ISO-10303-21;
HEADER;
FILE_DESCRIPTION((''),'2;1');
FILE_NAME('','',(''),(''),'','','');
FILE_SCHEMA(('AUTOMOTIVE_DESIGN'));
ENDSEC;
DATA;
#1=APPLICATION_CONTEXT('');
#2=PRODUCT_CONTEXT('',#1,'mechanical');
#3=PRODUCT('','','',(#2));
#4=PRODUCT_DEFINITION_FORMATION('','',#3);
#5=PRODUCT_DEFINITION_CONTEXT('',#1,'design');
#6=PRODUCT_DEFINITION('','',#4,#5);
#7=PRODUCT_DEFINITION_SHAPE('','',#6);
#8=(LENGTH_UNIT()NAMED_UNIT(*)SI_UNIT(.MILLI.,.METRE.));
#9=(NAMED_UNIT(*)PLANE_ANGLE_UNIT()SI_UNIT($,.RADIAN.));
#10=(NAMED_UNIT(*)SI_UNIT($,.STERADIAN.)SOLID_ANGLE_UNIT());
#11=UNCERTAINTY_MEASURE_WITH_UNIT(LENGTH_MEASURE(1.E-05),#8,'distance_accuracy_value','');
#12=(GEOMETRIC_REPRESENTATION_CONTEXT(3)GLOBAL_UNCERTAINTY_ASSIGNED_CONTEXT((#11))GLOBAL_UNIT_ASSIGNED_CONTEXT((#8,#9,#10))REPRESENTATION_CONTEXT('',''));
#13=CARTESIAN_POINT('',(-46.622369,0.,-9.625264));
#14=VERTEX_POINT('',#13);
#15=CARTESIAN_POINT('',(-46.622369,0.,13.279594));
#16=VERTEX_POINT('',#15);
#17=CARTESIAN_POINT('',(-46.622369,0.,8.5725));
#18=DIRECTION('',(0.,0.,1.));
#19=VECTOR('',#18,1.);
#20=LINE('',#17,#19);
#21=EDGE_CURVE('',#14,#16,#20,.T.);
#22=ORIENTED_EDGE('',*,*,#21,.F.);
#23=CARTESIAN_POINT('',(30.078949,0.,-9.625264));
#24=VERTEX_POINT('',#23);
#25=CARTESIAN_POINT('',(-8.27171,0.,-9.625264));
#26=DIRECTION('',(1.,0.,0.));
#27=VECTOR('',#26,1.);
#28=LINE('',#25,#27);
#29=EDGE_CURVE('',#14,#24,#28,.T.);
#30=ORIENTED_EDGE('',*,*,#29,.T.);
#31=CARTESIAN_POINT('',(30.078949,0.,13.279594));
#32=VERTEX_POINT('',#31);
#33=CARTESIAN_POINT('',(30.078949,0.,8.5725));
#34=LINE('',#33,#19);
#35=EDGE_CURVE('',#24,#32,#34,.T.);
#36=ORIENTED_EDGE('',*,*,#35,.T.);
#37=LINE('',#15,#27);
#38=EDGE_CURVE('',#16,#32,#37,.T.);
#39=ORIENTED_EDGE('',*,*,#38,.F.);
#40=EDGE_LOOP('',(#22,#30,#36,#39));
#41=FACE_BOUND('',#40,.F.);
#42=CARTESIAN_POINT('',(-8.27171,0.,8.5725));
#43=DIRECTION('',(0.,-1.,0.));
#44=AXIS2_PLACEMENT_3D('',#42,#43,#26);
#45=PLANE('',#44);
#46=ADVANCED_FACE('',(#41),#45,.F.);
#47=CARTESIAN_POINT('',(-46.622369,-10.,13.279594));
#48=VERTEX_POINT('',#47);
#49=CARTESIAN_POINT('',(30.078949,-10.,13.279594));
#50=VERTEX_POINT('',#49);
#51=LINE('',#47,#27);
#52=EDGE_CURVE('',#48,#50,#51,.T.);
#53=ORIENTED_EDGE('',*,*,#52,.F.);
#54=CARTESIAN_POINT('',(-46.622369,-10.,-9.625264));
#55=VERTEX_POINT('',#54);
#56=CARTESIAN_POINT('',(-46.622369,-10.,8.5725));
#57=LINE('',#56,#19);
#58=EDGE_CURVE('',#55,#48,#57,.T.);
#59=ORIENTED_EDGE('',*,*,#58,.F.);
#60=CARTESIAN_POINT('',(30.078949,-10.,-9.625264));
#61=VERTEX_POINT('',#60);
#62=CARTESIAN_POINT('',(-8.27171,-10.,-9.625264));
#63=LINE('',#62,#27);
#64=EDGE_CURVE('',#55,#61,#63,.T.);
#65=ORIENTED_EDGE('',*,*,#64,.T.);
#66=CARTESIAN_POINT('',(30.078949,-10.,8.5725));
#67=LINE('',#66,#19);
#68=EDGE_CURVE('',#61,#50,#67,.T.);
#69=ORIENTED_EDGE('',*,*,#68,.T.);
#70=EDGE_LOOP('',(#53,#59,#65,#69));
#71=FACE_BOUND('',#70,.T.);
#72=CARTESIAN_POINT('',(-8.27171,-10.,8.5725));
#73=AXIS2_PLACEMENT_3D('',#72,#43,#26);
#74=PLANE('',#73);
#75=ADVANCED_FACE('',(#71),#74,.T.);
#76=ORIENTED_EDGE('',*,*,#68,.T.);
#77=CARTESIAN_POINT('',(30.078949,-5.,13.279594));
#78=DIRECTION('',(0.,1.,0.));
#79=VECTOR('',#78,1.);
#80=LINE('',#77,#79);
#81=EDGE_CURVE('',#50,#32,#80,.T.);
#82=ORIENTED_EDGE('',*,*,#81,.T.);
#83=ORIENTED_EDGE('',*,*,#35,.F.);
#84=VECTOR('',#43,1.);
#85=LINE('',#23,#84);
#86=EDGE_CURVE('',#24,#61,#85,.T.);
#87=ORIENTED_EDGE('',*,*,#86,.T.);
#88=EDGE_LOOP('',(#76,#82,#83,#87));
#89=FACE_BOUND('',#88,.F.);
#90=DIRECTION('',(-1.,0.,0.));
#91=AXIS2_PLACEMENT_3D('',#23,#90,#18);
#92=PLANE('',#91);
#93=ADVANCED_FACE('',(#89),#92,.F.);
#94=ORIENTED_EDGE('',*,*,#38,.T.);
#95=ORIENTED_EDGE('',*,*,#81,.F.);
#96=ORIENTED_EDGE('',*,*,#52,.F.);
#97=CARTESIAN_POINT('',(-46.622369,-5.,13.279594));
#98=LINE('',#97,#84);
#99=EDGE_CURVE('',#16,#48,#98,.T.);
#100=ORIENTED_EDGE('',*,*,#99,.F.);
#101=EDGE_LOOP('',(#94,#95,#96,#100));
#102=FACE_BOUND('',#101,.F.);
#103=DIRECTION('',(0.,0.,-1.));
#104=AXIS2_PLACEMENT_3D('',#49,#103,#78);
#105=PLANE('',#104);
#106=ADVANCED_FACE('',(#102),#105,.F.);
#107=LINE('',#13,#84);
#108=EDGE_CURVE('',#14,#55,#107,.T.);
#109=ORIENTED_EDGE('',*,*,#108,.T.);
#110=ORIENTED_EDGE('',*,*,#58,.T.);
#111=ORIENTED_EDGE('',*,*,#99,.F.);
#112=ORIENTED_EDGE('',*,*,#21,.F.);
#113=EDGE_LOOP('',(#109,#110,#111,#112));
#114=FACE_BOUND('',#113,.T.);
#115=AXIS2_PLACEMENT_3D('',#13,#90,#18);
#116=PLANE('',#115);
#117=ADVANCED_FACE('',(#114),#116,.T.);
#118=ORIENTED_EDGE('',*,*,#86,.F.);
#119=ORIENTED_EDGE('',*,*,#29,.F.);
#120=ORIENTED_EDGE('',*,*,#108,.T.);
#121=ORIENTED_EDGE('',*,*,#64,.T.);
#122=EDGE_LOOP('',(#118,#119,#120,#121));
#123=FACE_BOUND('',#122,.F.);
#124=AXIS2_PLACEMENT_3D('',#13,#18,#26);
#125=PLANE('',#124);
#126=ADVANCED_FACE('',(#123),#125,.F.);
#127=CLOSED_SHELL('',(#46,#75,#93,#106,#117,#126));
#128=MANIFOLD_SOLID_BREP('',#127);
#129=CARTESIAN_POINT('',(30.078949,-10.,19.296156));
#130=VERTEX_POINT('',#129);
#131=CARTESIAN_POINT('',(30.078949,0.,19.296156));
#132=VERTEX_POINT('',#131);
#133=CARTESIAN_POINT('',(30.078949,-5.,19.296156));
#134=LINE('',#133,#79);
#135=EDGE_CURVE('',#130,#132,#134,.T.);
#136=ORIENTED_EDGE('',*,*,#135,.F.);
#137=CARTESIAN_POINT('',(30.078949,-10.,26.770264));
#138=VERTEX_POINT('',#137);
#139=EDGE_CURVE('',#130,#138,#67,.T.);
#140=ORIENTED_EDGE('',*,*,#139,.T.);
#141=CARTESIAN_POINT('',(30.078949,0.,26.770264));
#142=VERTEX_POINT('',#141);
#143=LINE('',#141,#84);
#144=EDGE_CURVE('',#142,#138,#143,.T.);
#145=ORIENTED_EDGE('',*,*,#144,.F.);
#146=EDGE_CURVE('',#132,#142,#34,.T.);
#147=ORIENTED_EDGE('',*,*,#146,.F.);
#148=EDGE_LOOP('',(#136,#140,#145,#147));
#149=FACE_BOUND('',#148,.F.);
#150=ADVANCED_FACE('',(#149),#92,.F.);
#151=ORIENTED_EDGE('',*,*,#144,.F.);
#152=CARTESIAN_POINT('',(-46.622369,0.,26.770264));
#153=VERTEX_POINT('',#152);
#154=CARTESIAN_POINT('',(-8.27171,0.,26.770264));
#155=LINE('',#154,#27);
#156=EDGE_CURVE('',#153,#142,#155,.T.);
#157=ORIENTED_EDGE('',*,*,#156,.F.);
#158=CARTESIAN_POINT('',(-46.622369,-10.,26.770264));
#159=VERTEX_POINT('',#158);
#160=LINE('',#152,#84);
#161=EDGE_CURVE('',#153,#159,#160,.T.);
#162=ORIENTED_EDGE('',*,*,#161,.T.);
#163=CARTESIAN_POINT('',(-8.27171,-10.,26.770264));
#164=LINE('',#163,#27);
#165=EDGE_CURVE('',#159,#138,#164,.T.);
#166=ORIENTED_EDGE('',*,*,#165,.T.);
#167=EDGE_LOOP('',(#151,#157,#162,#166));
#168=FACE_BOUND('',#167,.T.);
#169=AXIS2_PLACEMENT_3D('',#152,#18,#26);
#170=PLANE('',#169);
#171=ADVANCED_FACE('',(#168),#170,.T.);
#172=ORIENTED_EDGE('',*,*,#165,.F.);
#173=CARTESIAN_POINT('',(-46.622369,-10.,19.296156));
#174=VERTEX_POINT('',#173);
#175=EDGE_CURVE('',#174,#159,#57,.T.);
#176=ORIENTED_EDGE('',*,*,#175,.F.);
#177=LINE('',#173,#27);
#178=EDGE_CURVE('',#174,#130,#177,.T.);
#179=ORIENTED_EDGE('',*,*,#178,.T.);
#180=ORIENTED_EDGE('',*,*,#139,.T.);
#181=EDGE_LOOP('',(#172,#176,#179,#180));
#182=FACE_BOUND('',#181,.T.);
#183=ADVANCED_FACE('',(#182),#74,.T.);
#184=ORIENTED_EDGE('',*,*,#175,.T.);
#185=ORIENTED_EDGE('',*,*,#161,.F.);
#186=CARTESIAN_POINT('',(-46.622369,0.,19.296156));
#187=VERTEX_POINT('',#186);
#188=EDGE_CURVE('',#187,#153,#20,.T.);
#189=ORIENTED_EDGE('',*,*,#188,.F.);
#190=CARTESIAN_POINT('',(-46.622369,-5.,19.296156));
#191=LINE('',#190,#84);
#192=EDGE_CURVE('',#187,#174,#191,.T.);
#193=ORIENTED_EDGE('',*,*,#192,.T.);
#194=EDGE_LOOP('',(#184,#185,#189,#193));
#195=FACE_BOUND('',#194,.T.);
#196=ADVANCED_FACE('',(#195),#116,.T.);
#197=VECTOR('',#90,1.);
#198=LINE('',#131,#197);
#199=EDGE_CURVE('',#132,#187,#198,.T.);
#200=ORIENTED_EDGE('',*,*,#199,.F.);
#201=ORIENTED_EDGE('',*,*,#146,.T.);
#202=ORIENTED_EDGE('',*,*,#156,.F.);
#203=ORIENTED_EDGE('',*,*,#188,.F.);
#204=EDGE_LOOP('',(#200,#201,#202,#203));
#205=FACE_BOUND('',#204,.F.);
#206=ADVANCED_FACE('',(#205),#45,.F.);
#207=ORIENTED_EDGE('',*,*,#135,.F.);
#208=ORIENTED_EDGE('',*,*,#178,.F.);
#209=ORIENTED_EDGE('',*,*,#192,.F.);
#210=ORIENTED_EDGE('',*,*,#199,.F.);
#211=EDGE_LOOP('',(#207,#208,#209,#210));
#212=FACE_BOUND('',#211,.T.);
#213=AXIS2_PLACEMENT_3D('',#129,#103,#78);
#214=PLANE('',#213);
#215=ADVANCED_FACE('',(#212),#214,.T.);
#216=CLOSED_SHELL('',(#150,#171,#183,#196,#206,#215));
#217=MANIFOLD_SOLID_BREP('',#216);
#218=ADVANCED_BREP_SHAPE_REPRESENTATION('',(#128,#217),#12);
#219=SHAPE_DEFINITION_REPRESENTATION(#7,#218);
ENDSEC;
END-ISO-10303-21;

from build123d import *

# Parameters (mm, degrees)
F0_W          = 76.701318
F0_H          = 36.395528
F1_DEPTH      = 10
F2_W          = 10
F2_H          = 6.016562
F3_DEPTH      = 76.701319
F3_DEPTH_BACK = 25.4


with BuildPart() as f1:
    # F0 (on Front) → F1 (new body)
    with BuildSketch(Plane.XZ):
        with Locations((-8.27171, 8.5725)):
            Rectangle(F0_W, F0_H)
    extrude(amount=F1_DEPTH)

    # F2 (on face) → F3 (cut, two sides)
    with BuildSketch(Plane.YZ.offset(30.078949)) as f3_sk:
        with Locations((-5, 16.287875)):
            Rectangle(F2_W, F2_H)
    extrude(amount=-F3_DEPTH, mode=Mode.SUBTRACT)
    extrude(f3_sk.sketch, amount=-F3_DEPTH_BACK, mode=Mode.SUBTRACT)


solid = f1.part
